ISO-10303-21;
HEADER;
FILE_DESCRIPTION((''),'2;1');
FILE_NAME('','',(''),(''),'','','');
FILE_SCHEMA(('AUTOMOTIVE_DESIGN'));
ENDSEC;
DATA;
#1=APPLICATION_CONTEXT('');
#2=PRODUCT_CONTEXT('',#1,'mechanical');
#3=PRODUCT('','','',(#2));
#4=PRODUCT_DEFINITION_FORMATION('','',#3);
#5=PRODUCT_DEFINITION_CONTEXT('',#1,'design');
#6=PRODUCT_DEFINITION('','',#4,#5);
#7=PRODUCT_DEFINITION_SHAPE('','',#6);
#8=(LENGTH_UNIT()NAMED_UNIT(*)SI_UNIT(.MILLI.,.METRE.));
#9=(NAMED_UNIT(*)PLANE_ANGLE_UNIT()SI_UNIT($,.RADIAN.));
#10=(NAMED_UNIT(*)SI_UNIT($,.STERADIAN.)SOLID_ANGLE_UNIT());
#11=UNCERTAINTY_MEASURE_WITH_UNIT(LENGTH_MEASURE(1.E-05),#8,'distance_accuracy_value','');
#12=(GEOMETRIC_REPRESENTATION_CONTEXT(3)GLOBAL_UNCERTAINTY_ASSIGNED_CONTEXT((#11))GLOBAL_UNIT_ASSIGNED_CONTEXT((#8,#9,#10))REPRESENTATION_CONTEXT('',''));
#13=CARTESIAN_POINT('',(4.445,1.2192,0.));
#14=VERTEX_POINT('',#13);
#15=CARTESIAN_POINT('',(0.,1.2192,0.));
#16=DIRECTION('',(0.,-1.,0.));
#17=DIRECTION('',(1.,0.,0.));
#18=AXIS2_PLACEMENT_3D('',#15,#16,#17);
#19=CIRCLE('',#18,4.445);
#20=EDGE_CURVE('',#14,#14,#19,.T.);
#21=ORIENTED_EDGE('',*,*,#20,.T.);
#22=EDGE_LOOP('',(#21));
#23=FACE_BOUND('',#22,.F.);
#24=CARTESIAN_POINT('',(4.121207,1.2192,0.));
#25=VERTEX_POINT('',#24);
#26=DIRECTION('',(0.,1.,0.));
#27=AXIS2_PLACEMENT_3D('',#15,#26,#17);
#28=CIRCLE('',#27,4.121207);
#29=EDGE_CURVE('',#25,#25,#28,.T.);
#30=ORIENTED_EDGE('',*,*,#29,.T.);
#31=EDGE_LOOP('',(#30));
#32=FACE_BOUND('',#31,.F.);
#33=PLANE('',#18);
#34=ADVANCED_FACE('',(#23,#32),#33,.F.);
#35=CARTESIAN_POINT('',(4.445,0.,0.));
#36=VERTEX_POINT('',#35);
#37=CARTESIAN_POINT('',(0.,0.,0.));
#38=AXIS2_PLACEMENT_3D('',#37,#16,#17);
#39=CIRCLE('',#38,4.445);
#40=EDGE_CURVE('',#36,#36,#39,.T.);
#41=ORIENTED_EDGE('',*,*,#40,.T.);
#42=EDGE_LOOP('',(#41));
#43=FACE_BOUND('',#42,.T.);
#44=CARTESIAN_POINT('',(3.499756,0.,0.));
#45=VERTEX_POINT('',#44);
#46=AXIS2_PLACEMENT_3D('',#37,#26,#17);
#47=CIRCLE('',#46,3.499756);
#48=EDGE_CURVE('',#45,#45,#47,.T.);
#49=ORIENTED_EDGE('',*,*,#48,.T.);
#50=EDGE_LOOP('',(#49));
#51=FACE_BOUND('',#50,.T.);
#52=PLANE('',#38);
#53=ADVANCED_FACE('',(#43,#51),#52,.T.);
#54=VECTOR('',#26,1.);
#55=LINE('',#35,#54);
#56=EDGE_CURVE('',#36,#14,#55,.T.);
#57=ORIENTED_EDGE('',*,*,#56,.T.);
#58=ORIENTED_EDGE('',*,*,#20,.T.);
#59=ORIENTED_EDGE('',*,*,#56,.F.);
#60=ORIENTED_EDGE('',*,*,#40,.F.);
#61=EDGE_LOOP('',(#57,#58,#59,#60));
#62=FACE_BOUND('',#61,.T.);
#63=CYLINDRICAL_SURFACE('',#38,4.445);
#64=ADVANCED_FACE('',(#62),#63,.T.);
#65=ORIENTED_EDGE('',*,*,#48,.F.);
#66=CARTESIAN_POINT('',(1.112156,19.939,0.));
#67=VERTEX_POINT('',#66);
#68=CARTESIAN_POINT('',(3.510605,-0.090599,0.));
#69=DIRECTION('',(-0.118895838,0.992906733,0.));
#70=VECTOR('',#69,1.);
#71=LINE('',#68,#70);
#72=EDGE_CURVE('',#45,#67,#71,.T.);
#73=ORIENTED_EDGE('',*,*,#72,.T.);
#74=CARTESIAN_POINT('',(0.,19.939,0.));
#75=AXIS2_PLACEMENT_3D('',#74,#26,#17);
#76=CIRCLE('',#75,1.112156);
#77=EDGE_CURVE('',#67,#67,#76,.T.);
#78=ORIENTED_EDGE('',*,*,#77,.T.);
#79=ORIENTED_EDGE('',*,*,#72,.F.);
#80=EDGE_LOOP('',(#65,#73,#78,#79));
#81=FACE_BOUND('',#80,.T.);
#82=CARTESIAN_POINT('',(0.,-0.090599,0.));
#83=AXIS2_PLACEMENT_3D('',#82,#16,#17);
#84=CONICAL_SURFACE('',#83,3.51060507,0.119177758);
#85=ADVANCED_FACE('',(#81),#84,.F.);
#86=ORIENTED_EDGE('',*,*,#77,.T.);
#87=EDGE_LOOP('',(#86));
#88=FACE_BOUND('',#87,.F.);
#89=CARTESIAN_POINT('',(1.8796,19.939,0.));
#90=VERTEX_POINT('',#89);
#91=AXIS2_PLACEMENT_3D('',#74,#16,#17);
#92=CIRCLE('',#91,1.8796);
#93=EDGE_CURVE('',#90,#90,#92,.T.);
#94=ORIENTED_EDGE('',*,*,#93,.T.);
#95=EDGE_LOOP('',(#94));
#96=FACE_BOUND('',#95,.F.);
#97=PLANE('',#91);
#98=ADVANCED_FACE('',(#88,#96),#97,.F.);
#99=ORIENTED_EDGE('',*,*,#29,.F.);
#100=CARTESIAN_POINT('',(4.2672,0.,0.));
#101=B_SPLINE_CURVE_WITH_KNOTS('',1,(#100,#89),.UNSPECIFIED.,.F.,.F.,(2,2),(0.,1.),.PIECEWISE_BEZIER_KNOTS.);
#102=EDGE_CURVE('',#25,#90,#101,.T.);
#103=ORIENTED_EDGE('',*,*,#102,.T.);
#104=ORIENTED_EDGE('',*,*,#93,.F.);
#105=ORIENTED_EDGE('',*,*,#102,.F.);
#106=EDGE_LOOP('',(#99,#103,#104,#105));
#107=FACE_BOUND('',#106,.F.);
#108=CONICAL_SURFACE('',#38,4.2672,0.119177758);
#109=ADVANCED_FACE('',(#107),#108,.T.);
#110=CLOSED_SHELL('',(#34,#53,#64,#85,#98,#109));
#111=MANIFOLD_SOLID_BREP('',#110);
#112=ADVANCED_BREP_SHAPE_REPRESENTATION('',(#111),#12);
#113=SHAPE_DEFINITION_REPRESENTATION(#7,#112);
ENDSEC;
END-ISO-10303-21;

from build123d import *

# Parameters (mm, degrees)
F0_R     = 4.2672
F2_R     = 1.8796
F4_T     = -0.762
F5_R     = 4.445
F5_R_2   = 3.4997563168
F6_DEPTH = 1.2192


with BuildPart() as f3:
    # F0 (on Front) → F3 section 0
    with BuildSketch(Plane.XZ):
        Circle(F0_R)
    # F2 (on offset) → F3 section 1
    with BuildSketch(Plane.XZ.offset(-19.939)):
        Circle(F2_R)
    loft()

    # F4
    f4_openings = [f3.faces().sort_by_distance(p)[0] for p in [
        (0, 0, 0),
        (0, 19.939, 0),
    ]]
    offset(amount=F4_T, openings=f4_openings, kind=Kind.INTERSECTION)

    # F5 (on Front) → F6 (join)
    with BuildSketch(Plane.XZ):
        Circle(F5_R)
        Circle(F5_R_2, mode=Mode.SUBTRACT)
    extrude(amount=-F6_DEPTH)


solid = f3.part
